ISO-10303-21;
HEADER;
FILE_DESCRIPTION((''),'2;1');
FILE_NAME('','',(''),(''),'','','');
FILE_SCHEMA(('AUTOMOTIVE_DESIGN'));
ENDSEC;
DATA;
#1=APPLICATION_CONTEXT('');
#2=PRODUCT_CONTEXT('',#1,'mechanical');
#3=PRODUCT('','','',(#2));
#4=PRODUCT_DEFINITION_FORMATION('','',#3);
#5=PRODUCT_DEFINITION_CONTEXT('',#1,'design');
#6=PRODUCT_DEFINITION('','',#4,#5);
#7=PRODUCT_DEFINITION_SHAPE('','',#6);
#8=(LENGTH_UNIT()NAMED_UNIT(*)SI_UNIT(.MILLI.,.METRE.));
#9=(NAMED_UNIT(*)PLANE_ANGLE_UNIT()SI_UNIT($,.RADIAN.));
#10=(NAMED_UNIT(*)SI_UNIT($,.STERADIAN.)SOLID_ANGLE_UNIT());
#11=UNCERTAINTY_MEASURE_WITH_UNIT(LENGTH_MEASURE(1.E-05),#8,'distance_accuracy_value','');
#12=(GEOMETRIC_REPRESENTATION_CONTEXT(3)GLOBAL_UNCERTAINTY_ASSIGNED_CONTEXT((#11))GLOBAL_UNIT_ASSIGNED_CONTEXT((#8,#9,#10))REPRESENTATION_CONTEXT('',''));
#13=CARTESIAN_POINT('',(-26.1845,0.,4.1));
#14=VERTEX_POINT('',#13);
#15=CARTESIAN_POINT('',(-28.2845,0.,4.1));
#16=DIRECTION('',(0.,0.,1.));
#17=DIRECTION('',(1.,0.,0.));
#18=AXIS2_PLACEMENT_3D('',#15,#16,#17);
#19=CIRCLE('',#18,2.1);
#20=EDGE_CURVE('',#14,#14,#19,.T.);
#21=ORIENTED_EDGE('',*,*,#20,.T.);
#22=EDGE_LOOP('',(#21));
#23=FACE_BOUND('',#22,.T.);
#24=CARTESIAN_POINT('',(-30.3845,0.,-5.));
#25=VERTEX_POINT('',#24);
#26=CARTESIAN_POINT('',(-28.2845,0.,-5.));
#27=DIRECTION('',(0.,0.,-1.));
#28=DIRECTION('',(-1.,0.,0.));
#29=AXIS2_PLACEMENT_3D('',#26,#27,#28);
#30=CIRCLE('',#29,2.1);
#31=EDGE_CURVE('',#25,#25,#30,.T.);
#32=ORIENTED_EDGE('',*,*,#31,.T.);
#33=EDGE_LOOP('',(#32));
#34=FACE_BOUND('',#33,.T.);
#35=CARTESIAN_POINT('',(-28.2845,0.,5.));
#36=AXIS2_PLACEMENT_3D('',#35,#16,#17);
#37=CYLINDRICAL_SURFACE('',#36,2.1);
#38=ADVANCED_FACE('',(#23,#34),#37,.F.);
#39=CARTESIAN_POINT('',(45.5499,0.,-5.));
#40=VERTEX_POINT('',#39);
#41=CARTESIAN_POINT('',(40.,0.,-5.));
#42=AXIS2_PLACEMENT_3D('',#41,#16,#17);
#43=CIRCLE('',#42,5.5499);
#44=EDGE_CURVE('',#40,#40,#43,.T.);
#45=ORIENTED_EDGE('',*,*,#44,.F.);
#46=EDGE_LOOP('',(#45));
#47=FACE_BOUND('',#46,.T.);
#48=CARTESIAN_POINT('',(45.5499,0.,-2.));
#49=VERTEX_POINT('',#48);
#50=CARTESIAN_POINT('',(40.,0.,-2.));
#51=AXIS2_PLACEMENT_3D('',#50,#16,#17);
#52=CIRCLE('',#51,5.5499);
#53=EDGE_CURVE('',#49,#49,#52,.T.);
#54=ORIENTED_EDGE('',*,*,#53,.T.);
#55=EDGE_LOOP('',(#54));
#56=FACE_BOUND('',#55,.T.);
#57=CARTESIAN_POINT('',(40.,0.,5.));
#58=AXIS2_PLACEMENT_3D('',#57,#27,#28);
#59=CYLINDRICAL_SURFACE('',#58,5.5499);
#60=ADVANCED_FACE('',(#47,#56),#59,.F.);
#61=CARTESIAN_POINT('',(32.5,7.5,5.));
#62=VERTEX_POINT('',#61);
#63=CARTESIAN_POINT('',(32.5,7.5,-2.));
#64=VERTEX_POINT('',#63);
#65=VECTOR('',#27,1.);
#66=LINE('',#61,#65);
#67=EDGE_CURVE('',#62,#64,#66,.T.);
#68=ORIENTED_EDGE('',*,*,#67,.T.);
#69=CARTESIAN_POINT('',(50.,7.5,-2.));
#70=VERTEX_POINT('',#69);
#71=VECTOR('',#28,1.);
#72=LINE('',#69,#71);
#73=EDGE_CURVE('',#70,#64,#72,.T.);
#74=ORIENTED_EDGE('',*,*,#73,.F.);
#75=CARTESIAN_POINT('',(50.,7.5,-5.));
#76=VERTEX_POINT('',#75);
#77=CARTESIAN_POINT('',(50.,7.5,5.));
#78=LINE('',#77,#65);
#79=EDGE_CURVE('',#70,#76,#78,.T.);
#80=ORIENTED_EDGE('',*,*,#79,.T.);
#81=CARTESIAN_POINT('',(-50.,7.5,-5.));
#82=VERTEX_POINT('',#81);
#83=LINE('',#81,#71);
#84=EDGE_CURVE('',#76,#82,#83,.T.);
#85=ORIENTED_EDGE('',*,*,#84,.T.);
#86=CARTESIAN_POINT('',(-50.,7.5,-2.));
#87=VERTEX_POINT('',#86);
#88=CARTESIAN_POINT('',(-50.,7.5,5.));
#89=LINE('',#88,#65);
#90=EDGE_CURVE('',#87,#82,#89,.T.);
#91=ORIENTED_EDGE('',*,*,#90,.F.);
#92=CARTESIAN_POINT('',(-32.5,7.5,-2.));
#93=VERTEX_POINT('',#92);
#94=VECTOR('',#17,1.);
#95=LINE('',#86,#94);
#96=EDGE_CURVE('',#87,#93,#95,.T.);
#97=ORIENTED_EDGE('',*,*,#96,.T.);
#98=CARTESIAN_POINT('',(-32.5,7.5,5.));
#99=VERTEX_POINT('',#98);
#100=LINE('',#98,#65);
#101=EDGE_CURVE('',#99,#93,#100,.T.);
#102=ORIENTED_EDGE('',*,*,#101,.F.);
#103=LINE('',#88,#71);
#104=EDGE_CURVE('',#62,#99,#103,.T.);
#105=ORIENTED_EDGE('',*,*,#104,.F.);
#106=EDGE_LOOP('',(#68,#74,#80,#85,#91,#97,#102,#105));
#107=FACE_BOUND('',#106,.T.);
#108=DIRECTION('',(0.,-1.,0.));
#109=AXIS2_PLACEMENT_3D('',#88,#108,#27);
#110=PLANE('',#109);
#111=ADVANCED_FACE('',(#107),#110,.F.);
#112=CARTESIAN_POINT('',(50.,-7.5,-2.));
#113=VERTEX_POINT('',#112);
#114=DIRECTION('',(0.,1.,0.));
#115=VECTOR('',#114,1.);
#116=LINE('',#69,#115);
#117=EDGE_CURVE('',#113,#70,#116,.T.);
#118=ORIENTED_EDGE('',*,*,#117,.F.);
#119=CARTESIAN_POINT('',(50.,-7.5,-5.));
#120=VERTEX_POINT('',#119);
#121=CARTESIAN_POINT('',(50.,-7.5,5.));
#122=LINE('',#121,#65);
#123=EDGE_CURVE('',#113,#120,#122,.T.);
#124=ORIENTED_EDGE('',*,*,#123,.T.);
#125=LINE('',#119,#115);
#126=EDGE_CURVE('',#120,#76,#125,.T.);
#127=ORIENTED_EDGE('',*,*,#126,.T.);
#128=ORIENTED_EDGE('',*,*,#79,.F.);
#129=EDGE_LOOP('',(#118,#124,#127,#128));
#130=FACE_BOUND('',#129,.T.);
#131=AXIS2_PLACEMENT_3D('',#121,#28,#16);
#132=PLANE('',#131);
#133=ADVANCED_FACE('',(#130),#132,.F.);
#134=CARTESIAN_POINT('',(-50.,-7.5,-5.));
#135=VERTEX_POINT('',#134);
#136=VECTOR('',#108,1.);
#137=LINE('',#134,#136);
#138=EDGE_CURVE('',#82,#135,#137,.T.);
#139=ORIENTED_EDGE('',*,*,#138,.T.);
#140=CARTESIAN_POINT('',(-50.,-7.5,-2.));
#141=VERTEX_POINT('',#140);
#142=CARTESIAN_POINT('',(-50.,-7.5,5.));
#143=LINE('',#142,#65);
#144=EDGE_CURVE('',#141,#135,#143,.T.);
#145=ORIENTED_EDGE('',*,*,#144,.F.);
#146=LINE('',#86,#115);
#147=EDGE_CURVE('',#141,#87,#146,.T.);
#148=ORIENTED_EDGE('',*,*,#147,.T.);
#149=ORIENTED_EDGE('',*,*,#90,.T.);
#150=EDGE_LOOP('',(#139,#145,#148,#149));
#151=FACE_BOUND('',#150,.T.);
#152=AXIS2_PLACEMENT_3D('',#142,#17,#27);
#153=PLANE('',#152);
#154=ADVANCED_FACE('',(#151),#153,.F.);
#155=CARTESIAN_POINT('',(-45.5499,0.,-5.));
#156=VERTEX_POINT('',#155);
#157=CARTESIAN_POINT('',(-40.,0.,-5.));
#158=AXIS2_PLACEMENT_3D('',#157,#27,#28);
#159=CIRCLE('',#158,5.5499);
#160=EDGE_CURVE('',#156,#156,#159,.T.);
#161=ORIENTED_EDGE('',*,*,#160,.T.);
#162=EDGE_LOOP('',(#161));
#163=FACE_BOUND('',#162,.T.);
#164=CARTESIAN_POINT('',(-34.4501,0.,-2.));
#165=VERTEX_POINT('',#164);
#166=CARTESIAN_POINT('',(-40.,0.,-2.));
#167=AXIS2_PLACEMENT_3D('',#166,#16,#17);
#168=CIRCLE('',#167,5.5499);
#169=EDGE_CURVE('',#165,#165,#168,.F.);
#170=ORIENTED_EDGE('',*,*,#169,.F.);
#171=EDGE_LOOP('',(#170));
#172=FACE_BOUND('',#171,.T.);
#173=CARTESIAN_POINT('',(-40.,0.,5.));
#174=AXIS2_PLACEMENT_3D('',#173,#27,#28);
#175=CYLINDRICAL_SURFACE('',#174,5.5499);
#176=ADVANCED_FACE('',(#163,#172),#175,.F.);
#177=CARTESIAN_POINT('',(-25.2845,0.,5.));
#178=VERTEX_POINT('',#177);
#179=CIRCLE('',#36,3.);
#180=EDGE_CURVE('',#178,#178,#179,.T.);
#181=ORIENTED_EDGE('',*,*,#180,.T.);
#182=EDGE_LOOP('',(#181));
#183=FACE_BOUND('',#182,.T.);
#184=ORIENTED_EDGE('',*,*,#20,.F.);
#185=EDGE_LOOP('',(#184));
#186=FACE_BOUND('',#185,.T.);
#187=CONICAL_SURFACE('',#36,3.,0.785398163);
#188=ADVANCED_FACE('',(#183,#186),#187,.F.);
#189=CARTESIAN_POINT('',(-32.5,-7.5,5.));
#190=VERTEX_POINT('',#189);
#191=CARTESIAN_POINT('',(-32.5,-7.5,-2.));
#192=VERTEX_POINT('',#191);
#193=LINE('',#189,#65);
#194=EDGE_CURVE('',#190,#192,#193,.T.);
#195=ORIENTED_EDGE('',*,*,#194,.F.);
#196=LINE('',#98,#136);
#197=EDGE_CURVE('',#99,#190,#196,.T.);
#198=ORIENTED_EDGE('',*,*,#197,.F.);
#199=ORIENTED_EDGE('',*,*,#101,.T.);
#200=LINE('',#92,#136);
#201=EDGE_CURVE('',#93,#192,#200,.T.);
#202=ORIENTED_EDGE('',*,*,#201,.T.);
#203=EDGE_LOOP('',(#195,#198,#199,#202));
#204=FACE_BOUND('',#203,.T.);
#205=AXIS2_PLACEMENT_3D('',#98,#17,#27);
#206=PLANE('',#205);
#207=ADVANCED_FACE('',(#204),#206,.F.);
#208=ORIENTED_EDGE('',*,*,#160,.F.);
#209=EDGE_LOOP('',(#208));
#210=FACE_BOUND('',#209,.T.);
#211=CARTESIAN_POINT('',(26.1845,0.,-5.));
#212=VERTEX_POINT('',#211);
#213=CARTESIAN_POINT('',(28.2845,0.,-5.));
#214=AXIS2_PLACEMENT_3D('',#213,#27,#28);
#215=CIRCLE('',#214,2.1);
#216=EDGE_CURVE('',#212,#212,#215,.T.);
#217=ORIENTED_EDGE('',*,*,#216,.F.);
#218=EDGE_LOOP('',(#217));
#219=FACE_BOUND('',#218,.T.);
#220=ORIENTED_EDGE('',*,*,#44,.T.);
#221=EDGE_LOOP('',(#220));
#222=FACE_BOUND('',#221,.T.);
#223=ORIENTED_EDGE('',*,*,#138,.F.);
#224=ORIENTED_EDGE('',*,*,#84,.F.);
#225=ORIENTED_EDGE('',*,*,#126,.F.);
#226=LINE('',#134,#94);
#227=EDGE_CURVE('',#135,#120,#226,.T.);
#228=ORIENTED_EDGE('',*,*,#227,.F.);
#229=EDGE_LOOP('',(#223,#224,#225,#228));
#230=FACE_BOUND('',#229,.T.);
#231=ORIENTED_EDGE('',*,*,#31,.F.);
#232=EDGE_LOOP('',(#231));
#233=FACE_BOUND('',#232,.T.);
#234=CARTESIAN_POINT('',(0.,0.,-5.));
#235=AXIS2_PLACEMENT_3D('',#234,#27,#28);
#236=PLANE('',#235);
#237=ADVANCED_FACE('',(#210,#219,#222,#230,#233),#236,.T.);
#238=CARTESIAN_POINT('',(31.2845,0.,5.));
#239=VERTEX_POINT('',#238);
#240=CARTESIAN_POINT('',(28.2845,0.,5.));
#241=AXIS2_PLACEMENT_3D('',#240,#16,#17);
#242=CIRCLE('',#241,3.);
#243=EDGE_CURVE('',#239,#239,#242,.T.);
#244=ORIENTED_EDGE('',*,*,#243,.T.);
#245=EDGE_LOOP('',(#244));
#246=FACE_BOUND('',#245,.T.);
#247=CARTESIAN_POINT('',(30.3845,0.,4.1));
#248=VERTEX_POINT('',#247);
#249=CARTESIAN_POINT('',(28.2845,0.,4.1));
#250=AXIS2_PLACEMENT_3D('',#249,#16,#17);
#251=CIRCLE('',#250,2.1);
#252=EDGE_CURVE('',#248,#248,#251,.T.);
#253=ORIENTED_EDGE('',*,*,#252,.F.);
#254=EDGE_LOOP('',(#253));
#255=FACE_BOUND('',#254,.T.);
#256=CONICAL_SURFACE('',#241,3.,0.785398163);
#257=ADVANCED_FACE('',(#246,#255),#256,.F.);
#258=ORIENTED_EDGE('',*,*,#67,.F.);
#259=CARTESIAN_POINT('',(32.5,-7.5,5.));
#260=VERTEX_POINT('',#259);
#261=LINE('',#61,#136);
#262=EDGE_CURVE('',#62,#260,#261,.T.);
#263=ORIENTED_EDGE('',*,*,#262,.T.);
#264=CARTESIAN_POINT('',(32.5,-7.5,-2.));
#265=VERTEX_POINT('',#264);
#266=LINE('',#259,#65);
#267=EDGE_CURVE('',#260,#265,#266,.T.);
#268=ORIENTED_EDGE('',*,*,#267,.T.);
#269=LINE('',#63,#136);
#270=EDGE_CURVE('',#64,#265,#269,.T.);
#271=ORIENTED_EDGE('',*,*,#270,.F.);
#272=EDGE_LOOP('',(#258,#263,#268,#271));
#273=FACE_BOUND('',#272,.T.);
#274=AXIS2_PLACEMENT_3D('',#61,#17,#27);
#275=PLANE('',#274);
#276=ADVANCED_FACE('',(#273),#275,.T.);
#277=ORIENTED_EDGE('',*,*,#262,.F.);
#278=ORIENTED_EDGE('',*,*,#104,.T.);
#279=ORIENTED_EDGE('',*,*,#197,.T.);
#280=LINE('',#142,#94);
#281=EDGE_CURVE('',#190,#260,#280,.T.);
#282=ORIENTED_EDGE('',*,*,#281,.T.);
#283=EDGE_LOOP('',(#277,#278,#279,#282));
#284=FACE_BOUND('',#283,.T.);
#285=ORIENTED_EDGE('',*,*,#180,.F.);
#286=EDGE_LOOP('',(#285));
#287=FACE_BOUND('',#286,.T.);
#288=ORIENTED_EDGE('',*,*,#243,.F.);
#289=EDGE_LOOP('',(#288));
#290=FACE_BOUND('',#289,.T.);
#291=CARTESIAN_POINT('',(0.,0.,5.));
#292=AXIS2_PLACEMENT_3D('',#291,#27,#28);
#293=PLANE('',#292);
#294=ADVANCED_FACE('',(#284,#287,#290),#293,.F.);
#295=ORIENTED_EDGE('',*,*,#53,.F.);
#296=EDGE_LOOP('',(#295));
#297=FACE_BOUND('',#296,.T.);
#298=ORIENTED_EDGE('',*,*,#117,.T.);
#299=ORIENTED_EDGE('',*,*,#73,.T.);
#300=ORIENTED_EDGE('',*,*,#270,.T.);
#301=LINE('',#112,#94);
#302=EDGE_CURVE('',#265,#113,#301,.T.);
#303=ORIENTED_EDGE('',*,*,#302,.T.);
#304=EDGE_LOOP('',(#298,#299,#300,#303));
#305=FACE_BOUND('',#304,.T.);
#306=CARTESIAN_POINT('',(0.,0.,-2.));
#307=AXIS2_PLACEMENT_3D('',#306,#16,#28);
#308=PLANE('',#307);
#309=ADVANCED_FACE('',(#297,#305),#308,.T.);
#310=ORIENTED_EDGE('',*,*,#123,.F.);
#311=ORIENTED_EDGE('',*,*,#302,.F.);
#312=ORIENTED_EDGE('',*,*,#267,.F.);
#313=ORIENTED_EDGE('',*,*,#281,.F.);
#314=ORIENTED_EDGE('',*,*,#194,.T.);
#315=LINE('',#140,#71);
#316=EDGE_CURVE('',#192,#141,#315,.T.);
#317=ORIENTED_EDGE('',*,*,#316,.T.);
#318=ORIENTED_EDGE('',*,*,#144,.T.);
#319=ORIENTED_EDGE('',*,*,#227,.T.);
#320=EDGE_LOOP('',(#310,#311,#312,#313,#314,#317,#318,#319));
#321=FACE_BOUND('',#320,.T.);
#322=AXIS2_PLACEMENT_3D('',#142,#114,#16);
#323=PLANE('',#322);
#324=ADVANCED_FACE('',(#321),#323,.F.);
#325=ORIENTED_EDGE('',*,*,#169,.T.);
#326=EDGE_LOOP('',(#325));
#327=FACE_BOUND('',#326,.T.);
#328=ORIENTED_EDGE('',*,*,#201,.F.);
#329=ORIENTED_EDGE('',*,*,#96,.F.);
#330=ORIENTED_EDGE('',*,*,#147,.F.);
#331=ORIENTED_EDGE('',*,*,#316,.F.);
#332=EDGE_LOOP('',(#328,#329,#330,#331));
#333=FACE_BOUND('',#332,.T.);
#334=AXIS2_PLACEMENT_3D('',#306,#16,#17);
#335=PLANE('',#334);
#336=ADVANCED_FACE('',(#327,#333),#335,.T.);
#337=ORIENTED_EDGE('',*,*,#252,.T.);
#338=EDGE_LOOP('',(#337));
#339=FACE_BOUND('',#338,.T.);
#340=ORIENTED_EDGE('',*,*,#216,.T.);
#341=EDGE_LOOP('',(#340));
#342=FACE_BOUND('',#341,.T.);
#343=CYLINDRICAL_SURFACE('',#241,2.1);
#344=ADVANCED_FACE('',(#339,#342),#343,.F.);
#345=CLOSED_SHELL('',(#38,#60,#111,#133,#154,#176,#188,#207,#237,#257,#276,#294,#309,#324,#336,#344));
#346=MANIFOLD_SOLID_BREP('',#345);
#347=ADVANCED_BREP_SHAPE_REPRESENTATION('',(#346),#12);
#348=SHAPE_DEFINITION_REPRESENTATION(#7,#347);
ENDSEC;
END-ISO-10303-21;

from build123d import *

# Parameters (mm, degrees)
SKETCH1_W                       = 100
SKETCH1_H                       = 15
BOSS_EXTRUDE1_DEPTH             = 5
M5X0_8_TAPPED_HOLE1_D           = 4.2
M5X0_8_TAPPED_HOLE1_DEPTH       = 12.4
M5X0_8_TAPPED_HOLE1_CSINK_D     = 6
M5X0_8_TAPPED_HOLE1_CSINK_ANGLE = 90
M5X0_8_TAPPED_HOLE1_TIP         = 1.2618073
SKETCH6_R                       = 5.5499
CUT_EXTRUDE1_DEPTH              = 52.53882032
CUT_EXTRUDE2_START              = -3
SKETCH7_W                       = 17.5
SKETCH7_H                       = 15
CUT_EXTRUDE2_DEPTH              = 49.53882032


with BuildPart() as part:
    # Sketch1 → Boss-Extrude1 (new, symmetric)
    with BuildSketch(Plane.XY):
        Rectangle(SKETCH1_W, SKETCH1_H)
    extrude(amount=BOSS_EXTRUDE1_DEPTH, both=True)

    # M5x0.8 Tapped Hole1
    with Locations(Plane.XY.offset(5)):
        with Locations((-28.2845, 0), (28.2845, 0)):
            CounterSinkHole(M5X0_8_TAPPED_HOLE1_D / 2, M5X0_8_TAPPED_HOLE1_CSINK_D / 2, depth=M5X0_8_TAPPED_HOLE1_DEPTH, counter_sink_angle=M5X0_8_TAPPED_HOLE1_CSINK_ANGLE)
            with Locations((0, 0, -(M5X0_8_TAPPED_HOLE1_DEPTH + M5X0_8_TAPPED_HOLE1_TIP / 2))):  # 118° drill point
                Cone(0, M5X0_8_TAPPED_HOLE1_D / 2, M5X0_8_TAPPED_HOLE1_TIP, mode=Mode.SUBTRACT)

    # Sketch6 → Cut-Extrude1 (cut, through all)
    with BuildSketch(Plane(origin=(0, 0, -5), x_dir=(-1, 0, 0), z_dir=(0, 0, -1))):
        with Locations((40, 0)):
            Circle(SKETCH6_R)
    cut_extrude1 = extrude(amount=-CUT_EXTRUDE1_DEPTH, mode=Mode.SUBTRACT)

    # Sketch7 → Cut-Extrude2 (cut, through all)
    with BuildSketch(Plane(origin=(0, 0, -5), x_dir=(-1, 0, 0), z_dir=(0, 0, -1)).offset(CUT_EXTRUDE2_START)):
        with Locations((41.25, 0)):
            Rectangle(SKETCH7_W, SKETCH7_H)
    cut_extrude2 = extrude(amount=-CUT_EXTRUDE2_DEPTH, mode=Mode.SUBTRACT)

    # Mirror1: Cut-Extrude1, Cut-Extrude2 across plane
    add(cut_extrude1.mirror(Plane(origin=(0, 0, 0), x_dir=(0, 0, 1), z_dir=(1, 0, 0))), mode=Mode.SUBTRACT)
    add(cut_extrude2.mirror(Plane(origin=(0, 0, 0), x_dir=(0, 0, 1), z_dir=(1, 0, 0))), mode=Mode.SUBTRACT)


solid = part.part
